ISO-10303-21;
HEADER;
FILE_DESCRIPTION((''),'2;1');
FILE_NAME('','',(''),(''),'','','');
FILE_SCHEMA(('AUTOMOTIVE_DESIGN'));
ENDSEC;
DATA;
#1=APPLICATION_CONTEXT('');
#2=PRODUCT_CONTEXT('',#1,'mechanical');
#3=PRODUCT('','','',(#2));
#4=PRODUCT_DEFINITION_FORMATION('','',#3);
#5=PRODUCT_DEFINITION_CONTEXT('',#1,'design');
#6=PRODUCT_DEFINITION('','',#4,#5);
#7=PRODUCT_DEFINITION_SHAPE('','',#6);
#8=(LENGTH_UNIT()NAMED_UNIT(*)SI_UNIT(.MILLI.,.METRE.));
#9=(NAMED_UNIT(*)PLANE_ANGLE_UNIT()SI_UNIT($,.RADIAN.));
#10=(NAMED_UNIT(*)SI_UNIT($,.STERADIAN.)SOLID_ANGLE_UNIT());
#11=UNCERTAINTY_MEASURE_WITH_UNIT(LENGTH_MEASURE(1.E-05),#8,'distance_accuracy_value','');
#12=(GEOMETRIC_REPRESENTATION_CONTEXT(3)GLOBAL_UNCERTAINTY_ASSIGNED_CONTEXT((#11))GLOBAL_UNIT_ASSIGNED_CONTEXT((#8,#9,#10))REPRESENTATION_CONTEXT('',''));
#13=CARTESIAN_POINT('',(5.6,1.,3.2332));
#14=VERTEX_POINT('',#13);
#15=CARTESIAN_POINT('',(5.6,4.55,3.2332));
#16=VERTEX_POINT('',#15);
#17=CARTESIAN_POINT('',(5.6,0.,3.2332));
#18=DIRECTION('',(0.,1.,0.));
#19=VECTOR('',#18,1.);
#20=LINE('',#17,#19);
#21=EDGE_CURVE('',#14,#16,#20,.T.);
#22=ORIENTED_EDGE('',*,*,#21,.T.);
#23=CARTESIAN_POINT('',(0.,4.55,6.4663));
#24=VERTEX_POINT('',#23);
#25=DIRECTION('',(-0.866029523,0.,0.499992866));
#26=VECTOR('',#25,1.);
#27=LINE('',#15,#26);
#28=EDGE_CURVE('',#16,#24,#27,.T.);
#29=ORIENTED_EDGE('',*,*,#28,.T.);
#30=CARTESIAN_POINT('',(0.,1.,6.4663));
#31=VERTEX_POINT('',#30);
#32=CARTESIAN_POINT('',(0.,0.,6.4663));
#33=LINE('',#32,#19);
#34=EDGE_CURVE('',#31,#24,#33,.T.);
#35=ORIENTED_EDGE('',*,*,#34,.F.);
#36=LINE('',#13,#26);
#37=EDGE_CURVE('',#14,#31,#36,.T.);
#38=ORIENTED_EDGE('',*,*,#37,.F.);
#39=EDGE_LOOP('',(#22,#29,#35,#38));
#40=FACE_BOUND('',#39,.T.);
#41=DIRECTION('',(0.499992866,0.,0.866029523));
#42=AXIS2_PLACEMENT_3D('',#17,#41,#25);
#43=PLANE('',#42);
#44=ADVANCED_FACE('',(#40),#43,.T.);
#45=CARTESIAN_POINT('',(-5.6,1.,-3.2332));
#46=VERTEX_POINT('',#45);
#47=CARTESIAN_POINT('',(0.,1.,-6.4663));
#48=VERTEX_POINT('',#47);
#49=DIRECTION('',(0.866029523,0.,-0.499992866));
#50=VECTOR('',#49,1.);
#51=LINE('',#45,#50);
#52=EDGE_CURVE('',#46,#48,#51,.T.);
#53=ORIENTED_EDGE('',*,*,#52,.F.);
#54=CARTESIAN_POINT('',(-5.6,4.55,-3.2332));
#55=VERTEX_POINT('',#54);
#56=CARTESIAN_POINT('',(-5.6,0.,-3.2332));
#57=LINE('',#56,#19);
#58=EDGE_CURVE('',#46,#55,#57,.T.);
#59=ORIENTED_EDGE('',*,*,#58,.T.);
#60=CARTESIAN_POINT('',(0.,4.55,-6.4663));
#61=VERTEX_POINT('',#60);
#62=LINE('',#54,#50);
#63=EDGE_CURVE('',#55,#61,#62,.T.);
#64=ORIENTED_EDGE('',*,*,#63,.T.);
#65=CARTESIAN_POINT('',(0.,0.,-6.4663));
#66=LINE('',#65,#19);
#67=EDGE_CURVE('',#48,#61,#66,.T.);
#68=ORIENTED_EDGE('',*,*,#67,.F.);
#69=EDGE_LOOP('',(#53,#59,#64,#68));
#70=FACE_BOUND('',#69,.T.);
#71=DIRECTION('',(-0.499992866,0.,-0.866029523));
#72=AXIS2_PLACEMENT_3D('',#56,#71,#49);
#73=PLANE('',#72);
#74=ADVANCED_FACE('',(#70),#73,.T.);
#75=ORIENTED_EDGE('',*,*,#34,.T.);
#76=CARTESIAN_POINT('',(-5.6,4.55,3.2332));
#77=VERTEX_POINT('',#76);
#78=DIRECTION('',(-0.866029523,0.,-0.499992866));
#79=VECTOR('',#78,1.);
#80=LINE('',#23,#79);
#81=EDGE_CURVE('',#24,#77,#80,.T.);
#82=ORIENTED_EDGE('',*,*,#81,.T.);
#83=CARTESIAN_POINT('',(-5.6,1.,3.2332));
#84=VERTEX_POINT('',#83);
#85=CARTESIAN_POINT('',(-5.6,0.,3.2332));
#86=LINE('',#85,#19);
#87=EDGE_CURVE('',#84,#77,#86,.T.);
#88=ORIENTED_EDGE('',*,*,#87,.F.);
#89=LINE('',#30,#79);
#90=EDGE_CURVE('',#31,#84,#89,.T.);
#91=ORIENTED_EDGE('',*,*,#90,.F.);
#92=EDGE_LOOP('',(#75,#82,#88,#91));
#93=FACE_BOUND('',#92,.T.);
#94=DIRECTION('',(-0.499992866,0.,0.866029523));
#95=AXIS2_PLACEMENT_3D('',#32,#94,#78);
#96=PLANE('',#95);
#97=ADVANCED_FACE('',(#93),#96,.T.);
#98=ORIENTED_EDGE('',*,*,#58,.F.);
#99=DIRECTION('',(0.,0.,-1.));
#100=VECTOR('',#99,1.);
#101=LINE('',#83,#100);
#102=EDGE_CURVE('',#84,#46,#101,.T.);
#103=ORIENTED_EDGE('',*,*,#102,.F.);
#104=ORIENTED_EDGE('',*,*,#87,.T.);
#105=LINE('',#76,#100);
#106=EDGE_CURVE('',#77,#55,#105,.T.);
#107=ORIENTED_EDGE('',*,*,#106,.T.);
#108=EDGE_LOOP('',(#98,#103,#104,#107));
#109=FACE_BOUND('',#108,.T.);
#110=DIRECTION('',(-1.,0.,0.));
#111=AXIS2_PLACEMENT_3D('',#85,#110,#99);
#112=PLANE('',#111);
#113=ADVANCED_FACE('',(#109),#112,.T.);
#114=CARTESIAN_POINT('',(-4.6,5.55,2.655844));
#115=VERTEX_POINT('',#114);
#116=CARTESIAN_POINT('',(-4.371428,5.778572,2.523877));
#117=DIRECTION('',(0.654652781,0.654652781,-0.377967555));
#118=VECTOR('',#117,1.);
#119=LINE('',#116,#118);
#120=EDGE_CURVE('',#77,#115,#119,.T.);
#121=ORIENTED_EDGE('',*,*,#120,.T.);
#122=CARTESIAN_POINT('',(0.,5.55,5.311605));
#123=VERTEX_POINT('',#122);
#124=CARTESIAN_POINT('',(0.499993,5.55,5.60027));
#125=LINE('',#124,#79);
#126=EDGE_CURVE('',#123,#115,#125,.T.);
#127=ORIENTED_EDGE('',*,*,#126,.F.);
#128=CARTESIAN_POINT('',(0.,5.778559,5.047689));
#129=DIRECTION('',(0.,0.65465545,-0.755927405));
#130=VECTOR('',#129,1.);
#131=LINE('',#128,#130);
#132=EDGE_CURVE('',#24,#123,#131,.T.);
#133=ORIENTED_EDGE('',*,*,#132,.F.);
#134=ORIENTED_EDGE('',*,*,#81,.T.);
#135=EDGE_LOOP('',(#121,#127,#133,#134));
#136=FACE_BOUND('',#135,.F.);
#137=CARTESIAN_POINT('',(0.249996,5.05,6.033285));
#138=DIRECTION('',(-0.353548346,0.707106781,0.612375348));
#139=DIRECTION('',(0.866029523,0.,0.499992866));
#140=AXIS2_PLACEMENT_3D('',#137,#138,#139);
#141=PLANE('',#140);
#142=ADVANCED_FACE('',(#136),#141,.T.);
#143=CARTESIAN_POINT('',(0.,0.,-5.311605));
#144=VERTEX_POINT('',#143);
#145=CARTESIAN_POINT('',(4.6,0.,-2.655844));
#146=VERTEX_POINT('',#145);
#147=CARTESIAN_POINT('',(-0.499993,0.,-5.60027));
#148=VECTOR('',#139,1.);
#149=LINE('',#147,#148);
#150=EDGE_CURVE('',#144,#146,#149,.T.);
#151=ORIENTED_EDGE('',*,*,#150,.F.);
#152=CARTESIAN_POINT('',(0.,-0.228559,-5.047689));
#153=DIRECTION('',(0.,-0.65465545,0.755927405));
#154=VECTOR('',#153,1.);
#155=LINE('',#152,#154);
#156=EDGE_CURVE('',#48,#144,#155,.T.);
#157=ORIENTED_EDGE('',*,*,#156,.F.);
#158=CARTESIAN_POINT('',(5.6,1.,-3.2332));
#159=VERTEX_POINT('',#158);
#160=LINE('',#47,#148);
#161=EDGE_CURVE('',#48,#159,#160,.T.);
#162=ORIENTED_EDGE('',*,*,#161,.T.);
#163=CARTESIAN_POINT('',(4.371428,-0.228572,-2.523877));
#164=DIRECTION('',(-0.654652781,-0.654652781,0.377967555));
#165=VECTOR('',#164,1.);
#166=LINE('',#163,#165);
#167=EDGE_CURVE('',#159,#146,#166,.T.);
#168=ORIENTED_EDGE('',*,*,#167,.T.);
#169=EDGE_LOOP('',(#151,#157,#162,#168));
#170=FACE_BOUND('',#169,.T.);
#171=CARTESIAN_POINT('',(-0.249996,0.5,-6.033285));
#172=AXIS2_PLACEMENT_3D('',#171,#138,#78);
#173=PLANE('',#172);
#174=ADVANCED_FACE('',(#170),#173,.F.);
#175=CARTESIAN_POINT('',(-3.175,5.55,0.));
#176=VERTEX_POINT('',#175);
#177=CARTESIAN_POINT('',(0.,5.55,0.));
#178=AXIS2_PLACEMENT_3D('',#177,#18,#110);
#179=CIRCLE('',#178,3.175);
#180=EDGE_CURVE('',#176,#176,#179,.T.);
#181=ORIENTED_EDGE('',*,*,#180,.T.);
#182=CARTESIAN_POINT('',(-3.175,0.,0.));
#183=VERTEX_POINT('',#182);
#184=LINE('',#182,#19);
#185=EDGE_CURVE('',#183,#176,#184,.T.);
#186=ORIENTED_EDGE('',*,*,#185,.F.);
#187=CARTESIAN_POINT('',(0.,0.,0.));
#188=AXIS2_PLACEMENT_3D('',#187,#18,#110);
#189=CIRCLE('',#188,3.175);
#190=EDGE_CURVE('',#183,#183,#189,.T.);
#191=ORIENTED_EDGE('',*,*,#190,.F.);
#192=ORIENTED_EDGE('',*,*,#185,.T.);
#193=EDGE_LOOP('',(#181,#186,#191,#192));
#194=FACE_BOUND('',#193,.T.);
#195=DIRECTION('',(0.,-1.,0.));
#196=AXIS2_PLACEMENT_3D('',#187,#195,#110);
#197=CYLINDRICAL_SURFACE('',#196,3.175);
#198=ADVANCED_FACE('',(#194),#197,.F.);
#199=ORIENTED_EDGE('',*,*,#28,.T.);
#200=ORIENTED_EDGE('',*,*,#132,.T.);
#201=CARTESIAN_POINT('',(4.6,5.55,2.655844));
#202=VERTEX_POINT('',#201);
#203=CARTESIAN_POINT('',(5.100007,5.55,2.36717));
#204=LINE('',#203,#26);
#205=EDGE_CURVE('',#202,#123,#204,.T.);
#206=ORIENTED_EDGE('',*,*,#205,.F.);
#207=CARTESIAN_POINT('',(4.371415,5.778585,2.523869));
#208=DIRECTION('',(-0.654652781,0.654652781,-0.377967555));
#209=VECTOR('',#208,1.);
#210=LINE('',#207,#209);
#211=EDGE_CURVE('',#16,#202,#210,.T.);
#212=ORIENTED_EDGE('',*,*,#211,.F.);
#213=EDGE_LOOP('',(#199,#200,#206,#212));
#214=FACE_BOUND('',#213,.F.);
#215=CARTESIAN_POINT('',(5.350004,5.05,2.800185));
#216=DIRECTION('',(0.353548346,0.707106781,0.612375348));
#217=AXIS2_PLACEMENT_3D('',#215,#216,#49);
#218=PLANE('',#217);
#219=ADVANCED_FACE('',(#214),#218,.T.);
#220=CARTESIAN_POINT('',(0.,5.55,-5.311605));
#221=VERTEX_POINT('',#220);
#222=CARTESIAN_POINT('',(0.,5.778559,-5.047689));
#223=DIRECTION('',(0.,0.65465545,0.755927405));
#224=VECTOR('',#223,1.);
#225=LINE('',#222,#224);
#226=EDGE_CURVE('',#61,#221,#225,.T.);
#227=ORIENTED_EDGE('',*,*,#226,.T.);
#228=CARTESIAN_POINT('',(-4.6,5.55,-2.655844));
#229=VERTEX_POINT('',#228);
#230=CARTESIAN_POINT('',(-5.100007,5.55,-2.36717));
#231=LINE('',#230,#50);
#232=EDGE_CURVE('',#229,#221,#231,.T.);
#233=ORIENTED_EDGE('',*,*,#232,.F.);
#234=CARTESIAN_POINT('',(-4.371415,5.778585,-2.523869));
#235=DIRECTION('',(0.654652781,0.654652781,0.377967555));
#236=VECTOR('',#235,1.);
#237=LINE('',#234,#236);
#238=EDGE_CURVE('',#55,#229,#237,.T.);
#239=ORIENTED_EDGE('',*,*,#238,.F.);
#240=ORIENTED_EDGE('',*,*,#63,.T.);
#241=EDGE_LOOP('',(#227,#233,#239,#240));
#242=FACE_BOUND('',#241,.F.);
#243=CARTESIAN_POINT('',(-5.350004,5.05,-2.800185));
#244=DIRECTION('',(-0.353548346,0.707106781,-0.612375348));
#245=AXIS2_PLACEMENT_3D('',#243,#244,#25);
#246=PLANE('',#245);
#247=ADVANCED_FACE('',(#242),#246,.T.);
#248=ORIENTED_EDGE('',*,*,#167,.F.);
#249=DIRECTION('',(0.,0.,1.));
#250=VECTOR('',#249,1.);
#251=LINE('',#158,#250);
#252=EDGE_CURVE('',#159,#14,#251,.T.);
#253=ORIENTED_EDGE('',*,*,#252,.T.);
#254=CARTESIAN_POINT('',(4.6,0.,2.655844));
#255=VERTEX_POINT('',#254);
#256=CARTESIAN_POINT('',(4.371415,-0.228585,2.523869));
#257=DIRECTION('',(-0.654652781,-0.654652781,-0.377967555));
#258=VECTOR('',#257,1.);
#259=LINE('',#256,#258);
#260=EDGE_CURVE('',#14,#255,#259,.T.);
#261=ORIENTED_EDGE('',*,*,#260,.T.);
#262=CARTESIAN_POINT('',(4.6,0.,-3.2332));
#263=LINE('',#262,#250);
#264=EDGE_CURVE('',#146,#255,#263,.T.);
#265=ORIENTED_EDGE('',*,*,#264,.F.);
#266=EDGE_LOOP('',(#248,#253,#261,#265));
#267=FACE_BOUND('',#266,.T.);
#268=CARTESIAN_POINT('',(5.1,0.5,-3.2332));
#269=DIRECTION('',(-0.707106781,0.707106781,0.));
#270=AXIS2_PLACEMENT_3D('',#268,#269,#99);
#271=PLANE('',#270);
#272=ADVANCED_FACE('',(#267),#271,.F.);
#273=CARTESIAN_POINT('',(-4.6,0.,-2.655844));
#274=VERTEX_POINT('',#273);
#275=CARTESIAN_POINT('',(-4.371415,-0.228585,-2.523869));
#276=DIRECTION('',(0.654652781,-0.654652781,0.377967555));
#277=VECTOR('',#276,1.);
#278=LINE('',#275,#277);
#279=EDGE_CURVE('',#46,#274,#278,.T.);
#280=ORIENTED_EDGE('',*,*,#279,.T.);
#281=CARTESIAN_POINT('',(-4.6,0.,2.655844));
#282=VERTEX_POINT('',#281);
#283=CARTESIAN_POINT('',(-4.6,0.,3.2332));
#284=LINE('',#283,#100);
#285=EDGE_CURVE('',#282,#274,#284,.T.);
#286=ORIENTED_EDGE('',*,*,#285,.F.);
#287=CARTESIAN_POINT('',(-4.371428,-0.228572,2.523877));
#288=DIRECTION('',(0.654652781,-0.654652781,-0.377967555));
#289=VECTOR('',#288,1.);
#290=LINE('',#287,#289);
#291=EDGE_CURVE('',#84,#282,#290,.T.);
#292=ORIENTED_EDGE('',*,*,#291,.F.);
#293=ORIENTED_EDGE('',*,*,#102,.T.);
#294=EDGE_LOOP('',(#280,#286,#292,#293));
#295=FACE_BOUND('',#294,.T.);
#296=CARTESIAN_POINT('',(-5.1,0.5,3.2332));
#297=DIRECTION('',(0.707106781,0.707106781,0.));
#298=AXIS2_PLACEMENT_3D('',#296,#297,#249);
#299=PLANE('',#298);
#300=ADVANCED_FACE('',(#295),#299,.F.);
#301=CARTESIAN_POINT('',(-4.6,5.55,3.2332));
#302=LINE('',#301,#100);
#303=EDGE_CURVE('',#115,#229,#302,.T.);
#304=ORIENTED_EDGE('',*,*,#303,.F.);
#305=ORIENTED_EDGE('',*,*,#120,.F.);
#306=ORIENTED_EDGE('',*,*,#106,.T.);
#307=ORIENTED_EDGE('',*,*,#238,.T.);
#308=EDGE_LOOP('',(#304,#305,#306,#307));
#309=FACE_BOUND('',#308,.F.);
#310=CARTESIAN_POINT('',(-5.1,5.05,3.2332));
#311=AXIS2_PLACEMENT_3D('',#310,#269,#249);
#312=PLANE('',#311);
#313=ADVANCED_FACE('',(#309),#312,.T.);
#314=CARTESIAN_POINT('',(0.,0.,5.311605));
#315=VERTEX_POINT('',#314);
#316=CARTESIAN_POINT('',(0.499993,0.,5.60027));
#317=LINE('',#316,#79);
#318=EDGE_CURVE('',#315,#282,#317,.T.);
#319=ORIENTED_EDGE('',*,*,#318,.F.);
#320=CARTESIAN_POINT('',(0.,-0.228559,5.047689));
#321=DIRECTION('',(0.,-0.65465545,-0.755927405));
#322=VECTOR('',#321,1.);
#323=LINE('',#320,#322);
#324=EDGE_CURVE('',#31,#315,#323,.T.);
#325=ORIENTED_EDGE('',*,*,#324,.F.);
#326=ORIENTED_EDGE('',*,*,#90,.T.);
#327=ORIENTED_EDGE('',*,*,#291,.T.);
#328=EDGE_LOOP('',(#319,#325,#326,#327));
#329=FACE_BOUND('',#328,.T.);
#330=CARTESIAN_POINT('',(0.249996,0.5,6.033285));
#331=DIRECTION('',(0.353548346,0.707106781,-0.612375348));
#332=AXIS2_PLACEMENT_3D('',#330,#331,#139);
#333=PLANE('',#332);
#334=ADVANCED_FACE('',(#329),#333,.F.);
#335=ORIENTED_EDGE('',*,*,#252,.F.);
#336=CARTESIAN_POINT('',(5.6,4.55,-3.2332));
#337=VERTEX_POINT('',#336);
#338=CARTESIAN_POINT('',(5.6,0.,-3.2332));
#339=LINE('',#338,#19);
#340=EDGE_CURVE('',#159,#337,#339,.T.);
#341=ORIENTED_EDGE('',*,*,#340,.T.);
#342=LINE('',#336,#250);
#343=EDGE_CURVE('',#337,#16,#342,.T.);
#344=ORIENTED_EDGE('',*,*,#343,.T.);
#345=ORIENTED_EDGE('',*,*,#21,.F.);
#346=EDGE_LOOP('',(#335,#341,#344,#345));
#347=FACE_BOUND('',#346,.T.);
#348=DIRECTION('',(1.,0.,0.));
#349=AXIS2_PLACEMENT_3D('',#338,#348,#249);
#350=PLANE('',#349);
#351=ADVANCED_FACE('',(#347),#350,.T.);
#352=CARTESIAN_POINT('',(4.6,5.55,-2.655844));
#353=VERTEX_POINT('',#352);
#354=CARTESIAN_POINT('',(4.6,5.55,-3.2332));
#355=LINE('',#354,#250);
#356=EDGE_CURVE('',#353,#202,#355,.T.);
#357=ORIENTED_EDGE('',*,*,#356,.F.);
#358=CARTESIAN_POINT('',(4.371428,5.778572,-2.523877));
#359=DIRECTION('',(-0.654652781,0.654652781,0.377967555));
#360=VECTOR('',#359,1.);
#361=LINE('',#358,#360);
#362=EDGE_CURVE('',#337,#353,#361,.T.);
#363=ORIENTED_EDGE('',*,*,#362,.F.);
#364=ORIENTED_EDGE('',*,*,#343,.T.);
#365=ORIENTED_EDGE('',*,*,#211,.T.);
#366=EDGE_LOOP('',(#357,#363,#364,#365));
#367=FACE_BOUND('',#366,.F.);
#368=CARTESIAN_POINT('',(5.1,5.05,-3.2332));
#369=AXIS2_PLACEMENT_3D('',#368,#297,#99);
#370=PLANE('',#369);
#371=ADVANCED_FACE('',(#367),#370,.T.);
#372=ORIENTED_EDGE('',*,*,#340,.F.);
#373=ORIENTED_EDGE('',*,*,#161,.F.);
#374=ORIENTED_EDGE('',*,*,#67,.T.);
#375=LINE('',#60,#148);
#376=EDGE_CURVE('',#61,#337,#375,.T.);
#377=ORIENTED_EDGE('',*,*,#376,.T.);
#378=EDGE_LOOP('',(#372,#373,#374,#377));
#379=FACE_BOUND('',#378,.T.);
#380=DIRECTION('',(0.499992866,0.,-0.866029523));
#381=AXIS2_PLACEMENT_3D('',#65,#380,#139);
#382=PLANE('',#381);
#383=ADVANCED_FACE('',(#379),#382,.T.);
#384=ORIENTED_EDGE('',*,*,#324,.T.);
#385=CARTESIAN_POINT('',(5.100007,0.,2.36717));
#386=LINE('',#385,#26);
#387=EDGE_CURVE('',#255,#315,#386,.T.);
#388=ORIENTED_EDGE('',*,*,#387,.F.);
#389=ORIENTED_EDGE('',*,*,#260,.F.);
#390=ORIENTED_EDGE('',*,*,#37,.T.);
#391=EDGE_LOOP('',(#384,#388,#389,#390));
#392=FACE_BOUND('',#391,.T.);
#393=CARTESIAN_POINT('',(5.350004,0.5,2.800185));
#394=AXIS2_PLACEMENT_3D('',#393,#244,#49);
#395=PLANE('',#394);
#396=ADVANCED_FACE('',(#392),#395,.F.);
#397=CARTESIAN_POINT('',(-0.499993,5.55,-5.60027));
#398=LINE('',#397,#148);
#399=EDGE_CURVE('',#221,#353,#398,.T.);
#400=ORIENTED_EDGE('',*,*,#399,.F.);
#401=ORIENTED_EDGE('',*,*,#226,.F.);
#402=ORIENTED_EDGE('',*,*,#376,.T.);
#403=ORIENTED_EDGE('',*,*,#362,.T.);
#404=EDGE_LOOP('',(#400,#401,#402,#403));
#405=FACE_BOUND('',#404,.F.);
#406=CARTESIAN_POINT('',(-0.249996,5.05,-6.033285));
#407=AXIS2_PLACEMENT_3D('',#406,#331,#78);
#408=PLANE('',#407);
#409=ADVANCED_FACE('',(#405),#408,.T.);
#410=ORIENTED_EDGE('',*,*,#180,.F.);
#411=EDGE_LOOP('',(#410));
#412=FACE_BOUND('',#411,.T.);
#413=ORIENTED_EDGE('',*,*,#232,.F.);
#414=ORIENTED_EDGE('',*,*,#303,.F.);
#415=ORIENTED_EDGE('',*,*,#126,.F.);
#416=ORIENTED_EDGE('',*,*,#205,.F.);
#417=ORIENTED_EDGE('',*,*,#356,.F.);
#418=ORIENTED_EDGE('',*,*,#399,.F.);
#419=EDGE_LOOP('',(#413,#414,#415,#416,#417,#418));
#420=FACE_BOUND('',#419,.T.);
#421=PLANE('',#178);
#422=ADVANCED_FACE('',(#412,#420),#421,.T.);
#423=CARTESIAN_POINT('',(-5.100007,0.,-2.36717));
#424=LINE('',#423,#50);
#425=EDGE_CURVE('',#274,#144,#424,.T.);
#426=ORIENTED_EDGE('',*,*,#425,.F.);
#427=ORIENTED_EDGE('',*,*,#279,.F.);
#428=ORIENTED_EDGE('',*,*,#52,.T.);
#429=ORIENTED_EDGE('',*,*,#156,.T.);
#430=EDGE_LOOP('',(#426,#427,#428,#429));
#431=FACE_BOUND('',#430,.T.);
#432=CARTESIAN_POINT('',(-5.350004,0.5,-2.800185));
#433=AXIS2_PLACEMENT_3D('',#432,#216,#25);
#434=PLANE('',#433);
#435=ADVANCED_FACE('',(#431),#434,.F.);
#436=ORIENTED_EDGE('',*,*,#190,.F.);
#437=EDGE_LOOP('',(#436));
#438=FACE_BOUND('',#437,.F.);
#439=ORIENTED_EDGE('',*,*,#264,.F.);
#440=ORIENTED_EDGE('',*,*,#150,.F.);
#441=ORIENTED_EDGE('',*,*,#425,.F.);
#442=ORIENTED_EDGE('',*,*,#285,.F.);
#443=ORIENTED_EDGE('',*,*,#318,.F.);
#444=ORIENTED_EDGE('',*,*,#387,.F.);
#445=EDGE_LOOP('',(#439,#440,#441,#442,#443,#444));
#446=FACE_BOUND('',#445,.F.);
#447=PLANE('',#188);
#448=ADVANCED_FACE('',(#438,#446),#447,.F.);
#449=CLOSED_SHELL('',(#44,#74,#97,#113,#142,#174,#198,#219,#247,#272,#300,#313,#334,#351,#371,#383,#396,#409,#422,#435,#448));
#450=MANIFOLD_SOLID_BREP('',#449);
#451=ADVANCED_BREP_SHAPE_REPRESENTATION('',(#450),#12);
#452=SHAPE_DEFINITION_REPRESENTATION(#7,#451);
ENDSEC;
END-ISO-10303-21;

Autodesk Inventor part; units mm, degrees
ref_plane "YZ Plane" through (0, 0, 0) normal (1, 0, 0) x (0, 1, 0)
ref_plane "XZ Plane" through (0, 0, 0) normal (0, 1, 0) x (-1, 0, 0)
ref_plane "XY Plane" through (0, 0, 0) normal (0, 0, 1) x (1, 0, 0)
sketch "Boceto1" plane through (0, 0, 0) normal (0, 1, 0) x (-1, 0, 0)
  line L0 (0, -6.4663) -> (-5.6, -3.2332)
  line L1 (-5.6, -3.2332) -> (-5.6, 3.2332)
  line L2 (-5.6, 3.2332) -> (0, 6.4663)
  line L3 (0, 6.4663) -> (5.6, 3.2332)
  line L4 (5.6, 3.2332) -> (5.6, -3.2332)
  line L5 (5.6, -3.2332) -> (0, -6.4663)
  circle A0 centre (0, 0) radius 3.175
  line L6 (11, 0) -> (-11, 0) construction
  point P0 (2.8, -4.8497)
  point P1 (1.5875, -2.7496)
  point P2 (5.6, 0)
  dimension "d0" = 6.35
  dimension "d2" = 1.5875
  dimension "d4" = 22
  dimension "d10" = 11.2
extrude "Extrusión1" add sketch "Boceto1" along normal blind 5.55
thread "Rosca1" size "M7x1" class "6H" standard "ANSI Metric M Profile" length 60
chamfer "Chaflán1" distance 1 angle 45 12 edges at (-2.8, 5.55, 4.8497) (2.8, 5.55, 4.8497) (5.6, 5.55, 0) (2.8, 5.55, -4.8497) (-2.8, 5.55, -4.8497) (-5.6, 5.55, 0) (-5.6, 0, 0) (-2.8, 0, -4.8497) (2.8, 0, -4.8497) (5.6, 0, 0) (2.8, 0, 4.8497) (-2.8, 0, 4.8497)
properties part number "Tuerca1-4"
